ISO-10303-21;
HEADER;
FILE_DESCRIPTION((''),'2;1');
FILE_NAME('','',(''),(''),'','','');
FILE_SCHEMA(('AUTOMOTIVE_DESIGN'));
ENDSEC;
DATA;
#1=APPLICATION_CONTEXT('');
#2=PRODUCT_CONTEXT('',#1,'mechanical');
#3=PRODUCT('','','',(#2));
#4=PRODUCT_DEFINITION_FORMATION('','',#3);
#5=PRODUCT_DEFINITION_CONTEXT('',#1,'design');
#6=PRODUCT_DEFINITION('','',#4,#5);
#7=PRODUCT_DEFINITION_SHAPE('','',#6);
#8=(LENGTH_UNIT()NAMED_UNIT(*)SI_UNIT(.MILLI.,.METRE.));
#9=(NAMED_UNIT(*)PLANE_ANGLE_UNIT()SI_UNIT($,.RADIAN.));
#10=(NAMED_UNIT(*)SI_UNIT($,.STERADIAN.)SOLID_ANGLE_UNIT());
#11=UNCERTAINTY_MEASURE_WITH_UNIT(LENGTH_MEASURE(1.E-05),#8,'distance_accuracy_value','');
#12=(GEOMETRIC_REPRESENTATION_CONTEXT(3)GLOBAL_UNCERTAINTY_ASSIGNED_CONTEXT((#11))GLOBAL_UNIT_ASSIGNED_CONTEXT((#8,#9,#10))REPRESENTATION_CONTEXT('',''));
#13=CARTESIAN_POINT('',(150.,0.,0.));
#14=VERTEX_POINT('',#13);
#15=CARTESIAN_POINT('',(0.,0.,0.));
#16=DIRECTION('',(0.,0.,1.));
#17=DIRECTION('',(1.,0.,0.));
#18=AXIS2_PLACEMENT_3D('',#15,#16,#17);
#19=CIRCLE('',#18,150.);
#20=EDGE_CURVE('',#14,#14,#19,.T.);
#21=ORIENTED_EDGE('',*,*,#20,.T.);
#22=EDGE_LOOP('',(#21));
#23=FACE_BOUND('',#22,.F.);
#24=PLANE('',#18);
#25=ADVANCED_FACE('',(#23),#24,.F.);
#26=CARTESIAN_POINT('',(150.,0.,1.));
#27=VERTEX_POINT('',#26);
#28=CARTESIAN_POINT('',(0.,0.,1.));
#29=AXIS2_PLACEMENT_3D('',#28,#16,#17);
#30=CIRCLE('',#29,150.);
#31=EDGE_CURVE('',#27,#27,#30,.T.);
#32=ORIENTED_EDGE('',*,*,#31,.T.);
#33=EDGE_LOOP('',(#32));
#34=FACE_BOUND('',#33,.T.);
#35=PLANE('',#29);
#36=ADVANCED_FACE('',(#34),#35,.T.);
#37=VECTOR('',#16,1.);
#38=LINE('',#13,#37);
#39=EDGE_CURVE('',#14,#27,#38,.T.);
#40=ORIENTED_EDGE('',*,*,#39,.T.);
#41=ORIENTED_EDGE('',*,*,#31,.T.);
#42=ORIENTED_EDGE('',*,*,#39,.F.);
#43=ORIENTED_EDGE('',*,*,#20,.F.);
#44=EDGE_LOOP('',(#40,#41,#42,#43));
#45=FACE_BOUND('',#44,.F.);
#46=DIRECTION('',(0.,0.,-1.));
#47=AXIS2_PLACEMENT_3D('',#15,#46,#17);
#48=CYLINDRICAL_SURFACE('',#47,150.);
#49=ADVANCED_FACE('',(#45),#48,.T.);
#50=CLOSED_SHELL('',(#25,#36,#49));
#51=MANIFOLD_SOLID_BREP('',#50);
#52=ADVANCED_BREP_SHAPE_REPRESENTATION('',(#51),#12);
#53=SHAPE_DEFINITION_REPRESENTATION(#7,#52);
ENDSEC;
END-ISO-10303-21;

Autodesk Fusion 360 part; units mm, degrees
sketch "Esquisse3" plane through (0, 0, 0) normal (0, 0, 1) x (1, 0, 0)
  circle A0 centre (0, 0) radius 150
  dimension "d2" = 300
extrude "Extrusion1" add sketch "Esquisse3" along normal blind 1
